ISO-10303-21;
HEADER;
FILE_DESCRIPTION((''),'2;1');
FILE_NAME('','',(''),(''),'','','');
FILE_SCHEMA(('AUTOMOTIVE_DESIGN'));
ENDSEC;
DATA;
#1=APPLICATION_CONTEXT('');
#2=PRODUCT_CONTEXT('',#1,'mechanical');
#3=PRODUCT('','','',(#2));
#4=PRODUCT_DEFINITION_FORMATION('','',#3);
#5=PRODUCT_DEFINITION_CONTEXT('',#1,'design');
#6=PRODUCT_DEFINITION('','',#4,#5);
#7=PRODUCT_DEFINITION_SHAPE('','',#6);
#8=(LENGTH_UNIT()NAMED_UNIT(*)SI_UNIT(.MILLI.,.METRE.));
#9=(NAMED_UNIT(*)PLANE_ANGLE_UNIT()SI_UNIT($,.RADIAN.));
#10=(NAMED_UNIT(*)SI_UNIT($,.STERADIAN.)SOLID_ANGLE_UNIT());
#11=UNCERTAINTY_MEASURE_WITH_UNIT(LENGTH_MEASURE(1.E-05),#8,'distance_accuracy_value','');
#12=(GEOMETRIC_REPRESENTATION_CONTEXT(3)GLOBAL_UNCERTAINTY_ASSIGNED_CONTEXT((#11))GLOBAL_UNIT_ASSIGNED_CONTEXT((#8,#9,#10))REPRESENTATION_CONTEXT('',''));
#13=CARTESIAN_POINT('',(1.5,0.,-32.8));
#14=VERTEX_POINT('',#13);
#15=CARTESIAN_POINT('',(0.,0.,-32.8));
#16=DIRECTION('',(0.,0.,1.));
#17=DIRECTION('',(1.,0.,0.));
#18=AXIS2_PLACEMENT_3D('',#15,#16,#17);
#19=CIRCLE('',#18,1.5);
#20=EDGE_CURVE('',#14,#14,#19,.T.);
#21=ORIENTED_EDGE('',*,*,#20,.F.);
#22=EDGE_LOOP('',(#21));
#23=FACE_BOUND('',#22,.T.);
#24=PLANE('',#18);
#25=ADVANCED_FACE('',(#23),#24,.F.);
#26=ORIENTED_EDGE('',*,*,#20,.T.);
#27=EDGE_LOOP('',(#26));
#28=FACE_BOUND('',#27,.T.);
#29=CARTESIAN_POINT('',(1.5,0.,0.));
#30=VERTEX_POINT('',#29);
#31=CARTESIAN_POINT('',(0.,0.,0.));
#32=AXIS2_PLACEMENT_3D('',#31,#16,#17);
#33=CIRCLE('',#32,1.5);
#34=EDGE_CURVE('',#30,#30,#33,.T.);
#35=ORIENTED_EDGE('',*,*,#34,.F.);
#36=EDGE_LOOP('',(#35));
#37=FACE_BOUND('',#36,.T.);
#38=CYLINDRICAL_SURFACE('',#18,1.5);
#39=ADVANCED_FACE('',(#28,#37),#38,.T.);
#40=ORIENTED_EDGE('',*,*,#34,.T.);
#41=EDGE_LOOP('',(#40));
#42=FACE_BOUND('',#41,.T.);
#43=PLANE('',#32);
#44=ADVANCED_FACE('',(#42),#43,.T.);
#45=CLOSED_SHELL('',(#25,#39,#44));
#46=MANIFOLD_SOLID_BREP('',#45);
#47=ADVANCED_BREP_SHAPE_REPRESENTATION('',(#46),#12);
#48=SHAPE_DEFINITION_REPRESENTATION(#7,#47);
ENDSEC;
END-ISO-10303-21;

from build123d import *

# Parameters (mm, degrees)
CROQUIS1_R              = 1.5
SALIENTE_EXTRUIR1_DEPTH = 32.8


with BuildPart() as part:
    # Croquis1 → Saliente-Extruir1 (new body)
    with BuildSketch(Plane.XY):
        Circle(CROQUIS1_R)
    extrude(amount=-SALIENTE_EXTRUIR1_DEPTH)


solid = part.part
